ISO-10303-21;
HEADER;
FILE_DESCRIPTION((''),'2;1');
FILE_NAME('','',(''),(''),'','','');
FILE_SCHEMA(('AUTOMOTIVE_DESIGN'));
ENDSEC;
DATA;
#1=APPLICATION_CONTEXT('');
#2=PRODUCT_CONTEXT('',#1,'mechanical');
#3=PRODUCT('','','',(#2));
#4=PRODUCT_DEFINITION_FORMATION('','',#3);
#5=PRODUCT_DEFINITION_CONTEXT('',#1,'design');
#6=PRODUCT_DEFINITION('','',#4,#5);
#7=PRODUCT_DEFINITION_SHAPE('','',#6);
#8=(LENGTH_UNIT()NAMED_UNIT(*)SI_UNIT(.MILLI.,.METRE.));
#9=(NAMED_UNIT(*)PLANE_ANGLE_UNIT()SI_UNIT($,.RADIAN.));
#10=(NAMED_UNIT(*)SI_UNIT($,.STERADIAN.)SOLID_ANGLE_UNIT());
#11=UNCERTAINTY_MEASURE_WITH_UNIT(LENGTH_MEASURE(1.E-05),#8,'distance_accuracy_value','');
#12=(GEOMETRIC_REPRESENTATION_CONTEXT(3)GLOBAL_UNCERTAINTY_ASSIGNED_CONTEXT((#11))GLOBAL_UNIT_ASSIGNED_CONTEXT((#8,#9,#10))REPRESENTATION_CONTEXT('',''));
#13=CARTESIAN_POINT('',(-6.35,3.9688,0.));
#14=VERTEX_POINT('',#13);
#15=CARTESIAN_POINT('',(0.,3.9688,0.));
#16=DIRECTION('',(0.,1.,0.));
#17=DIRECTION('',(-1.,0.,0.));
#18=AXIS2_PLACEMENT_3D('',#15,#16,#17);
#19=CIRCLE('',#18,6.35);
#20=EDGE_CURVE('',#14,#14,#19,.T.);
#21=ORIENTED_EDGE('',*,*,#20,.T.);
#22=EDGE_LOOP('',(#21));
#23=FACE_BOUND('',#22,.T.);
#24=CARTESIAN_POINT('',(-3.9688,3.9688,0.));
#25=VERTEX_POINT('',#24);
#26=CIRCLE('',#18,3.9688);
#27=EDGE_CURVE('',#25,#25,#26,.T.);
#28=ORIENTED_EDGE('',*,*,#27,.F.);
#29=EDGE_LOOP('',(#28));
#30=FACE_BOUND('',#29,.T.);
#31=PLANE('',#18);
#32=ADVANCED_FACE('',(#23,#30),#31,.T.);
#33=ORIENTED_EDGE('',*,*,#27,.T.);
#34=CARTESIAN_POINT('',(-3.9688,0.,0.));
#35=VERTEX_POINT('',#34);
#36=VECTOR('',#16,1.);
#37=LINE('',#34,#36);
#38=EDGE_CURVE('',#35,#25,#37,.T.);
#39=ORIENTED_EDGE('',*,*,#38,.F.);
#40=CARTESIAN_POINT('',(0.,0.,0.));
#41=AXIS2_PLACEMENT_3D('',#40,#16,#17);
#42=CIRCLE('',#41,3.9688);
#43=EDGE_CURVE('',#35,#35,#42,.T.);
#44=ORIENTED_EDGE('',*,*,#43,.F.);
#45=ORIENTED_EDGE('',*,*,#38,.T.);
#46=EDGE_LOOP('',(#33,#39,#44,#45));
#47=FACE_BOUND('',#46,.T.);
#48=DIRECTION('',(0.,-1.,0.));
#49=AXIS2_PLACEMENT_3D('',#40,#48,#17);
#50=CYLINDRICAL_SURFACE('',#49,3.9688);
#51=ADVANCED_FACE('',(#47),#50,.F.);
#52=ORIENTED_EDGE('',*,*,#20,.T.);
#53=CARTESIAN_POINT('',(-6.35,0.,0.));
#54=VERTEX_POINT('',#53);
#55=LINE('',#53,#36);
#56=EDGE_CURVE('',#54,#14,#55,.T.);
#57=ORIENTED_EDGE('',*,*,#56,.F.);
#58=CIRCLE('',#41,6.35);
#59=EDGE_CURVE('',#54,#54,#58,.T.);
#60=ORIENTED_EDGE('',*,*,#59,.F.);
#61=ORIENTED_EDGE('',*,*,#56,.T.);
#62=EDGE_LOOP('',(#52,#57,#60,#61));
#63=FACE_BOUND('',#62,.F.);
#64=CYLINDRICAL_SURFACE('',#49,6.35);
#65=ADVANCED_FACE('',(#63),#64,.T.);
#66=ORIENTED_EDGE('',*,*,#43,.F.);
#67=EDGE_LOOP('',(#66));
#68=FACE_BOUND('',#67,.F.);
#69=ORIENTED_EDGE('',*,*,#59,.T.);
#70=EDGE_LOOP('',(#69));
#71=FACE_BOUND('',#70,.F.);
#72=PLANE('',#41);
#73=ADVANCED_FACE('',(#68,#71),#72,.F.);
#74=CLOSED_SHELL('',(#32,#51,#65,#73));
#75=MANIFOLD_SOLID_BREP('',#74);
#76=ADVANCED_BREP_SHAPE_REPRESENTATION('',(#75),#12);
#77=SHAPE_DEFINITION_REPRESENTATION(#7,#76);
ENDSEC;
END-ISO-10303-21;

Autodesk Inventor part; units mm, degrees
ref_plane "YZ Plane" through (0, 0, 0) normal (1, 0, 0) x (0, 1, 0)
ref_plane "XZ Plane" through (0, 0, 0) normal (0, 1, 0) x (-1, 0, 0)
ref_plane "XY Plane" through (0, 0, 0) normal (0, 0, 1) x (1, 0, 0)
sketch "Sketch1" plane through (0, 0, 0) normal (0, 1, 0) x (-1, 0, 0)
  circle A0 centre (0, 0) radius 3.9688
  circle A1 centre (0, 0) radius 6.35
  dimension "d0" = 7.9375
  dimension "d1" = 12.7
extrude "Extrusion1" add sketch "Sketch1" along normal blind 3.9688
properties part number "BB .25x.5x.1875" material "Steel, Alloy"
